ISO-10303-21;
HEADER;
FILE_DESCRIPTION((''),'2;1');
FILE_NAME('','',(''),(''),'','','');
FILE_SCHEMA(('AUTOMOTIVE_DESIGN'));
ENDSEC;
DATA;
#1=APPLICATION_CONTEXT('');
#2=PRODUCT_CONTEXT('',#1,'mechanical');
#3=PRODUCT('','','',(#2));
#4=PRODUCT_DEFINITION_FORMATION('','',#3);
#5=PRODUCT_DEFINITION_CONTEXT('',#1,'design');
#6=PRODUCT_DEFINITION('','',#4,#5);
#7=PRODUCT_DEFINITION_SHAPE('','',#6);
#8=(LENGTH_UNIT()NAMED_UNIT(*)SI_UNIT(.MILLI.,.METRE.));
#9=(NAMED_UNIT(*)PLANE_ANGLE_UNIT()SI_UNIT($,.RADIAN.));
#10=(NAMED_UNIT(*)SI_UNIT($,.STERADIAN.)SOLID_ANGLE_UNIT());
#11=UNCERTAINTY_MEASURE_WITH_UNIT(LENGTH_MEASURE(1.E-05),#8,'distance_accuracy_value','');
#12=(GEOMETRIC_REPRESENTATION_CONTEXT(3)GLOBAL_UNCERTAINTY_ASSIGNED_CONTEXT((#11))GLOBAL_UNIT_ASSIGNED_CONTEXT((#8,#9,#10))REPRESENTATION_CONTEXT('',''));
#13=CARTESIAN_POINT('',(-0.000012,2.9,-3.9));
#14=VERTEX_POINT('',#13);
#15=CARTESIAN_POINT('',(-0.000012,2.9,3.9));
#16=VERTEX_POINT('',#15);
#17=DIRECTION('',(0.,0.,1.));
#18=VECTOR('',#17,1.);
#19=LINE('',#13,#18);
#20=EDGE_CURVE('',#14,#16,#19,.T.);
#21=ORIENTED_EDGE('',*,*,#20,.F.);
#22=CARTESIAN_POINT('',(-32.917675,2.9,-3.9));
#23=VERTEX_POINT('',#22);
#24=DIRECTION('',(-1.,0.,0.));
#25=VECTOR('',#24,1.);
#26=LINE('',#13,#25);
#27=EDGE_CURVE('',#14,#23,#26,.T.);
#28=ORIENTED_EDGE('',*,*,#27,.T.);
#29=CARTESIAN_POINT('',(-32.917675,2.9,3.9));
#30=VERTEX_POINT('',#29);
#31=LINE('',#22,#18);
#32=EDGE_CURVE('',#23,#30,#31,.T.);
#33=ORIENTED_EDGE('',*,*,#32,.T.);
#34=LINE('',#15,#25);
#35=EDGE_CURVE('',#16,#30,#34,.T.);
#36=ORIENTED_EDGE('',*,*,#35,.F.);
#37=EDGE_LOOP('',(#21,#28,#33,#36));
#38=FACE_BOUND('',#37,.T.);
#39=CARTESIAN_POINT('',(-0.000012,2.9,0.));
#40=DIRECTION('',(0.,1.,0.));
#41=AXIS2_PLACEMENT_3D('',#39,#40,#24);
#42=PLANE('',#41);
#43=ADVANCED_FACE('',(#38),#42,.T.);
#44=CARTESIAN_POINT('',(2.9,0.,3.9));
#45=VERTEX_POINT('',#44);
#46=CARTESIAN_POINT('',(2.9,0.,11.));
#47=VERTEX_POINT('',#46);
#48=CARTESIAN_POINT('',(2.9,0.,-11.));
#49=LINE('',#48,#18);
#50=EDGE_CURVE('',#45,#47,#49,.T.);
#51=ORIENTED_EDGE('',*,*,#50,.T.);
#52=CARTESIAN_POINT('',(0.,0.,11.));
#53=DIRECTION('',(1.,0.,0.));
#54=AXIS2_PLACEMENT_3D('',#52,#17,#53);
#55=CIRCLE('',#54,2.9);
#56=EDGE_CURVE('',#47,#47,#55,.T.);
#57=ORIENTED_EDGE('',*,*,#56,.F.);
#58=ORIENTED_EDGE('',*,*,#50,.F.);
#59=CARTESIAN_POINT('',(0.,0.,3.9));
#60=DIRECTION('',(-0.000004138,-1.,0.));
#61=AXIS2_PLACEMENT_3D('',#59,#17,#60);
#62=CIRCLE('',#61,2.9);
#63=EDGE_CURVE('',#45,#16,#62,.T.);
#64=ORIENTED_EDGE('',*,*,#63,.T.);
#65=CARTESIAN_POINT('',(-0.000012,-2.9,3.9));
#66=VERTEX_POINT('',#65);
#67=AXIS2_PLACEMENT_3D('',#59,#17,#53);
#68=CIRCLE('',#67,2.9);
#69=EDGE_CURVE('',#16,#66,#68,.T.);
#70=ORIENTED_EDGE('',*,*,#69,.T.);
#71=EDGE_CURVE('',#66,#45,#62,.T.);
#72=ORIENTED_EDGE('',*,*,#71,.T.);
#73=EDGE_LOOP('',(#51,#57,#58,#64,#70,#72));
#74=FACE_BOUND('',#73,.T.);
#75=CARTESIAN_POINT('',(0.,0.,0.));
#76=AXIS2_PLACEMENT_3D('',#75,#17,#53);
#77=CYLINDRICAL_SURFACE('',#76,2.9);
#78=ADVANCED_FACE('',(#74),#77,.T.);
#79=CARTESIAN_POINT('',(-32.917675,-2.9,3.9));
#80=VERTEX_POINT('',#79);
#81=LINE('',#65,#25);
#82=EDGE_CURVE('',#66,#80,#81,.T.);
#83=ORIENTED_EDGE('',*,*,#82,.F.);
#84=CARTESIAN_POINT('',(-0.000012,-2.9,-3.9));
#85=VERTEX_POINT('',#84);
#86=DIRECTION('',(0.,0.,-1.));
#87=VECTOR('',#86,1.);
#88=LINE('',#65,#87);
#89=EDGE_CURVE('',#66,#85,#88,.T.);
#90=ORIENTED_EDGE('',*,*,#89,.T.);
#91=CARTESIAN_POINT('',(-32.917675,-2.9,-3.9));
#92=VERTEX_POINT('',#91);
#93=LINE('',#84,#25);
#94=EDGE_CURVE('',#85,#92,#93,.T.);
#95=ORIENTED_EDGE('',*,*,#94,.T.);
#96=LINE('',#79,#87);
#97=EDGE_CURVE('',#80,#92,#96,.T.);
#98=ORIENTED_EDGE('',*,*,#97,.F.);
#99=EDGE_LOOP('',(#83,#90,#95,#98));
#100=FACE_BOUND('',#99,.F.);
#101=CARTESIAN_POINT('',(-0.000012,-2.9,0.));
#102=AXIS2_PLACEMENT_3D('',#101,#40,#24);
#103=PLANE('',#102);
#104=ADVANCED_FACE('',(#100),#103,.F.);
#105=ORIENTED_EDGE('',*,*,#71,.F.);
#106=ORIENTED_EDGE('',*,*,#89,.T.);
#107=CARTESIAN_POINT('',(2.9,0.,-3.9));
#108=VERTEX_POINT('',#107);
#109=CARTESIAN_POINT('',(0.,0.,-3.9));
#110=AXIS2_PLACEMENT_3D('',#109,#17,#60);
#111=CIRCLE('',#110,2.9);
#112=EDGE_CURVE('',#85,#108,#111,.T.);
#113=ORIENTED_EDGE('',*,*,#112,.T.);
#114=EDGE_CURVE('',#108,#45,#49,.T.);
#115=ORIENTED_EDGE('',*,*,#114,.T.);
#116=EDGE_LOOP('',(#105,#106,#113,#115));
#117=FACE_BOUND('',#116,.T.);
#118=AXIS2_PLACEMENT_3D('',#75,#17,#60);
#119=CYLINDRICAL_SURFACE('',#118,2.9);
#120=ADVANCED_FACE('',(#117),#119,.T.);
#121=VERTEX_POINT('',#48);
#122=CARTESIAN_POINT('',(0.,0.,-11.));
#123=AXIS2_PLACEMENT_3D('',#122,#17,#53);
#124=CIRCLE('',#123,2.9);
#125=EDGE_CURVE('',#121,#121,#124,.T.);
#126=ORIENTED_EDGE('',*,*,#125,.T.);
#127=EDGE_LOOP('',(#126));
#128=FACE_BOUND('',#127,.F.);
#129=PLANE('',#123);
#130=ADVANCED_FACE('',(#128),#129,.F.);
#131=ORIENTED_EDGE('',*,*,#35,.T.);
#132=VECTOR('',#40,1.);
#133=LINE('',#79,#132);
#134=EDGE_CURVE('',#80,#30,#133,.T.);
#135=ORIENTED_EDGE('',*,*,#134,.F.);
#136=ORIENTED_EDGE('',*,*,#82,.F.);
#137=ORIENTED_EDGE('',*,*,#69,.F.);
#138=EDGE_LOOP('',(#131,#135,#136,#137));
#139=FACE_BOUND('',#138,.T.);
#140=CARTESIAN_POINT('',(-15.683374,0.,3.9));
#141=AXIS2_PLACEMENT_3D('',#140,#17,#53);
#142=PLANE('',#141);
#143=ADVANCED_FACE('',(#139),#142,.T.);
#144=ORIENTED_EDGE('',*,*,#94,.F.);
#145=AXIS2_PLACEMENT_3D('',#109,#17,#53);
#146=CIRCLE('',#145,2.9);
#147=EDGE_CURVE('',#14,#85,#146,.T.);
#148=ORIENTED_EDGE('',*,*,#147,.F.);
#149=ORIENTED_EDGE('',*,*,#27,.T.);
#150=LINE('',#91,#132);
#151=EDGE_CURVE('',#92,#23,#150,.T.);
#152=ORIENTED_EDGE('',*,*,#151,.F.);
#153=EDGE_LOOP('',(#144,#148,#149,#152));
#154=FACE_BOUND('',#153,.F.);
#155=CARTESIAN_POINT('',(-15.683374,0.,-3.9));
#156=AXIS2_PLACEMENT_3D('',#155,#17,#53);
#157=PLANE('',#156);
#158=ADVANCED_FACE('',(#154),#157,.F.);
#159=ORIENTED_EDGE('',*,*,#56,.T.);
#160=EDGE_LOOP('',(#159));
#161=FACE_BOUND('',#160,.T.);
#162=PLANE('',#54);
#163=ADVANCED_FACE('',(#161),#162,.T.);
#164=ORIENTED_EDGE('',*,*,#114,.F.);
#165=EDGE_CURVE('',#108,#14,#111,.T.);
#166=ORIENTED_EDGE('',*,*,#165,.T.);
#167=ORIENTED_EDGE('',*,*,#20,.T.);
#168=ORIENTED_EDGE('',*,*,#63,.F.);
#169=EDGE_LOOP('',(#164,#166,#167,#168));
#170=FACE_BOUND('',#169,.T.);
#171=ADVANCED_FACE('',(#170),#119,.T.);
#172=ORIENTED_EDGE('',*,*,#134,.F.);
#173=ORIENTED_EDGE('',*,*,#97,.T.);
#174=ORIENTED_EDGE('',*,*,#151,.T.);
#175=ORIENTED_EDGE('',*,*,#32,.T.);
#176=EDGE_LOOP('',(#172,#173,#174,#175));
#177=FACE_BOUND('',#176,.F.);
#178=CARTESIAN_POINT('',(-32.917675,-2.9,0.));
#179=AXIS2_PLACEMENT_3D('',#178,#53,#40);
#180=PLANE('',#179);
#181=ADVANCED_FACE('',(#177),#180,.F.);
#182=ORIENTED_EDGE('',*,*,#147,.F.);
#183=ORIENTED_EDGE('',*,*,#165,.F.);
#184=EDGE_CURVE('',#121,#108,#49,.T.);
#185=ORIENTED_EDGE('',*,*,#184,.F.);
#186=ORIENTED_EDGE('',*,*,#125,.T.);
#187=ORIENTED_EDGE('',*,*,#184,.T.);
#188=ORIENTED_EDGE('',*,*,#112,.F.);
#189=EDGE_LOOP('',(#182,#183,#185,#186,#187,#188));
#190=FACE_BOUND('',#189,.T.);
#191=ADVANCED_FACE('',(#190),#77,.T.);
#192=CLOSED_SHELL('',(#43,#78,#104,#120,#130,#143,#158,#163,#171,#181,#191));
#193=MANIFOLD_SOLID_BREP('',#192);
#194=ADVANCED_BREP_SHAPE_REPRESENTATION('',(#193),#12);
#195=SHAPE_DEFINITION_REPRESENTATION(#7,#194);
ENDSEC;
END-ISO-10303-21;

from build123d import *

# Parameters (mm, degrees)
PAD_DEPTH    = 3.9
SKETCH001_R  = 2.9
PAD001_DEPTH = 11


with BuildPart() as part:
    # Sketch → Pad (new body, symmetric)
    with BuildSketch(Plane.XY):
        with BuildLine():
            ThreePointArc((-1.2e-05, -2.9), (2.9, 0), (-1.2e-05, 2.9))
            Line((-1.2e-05, 2.9), (-32.917675, 2.9))
            Line((-32.917675, -2.9), (-32.917675, 2.9))
            Line((-1.2e-05, -2.9), (-32.917675, -2.9))
        make_face()
    extrude(amount=PAD_DEPTH, both=True)

    # Sketch001 → Pad001 (join, symmetric)
    with BuildSketch(Plane.XY):
        Circle(SKETCH001_R)
    extrude(amount=PAD001_DEPTH, both=True)


solid = part.part
